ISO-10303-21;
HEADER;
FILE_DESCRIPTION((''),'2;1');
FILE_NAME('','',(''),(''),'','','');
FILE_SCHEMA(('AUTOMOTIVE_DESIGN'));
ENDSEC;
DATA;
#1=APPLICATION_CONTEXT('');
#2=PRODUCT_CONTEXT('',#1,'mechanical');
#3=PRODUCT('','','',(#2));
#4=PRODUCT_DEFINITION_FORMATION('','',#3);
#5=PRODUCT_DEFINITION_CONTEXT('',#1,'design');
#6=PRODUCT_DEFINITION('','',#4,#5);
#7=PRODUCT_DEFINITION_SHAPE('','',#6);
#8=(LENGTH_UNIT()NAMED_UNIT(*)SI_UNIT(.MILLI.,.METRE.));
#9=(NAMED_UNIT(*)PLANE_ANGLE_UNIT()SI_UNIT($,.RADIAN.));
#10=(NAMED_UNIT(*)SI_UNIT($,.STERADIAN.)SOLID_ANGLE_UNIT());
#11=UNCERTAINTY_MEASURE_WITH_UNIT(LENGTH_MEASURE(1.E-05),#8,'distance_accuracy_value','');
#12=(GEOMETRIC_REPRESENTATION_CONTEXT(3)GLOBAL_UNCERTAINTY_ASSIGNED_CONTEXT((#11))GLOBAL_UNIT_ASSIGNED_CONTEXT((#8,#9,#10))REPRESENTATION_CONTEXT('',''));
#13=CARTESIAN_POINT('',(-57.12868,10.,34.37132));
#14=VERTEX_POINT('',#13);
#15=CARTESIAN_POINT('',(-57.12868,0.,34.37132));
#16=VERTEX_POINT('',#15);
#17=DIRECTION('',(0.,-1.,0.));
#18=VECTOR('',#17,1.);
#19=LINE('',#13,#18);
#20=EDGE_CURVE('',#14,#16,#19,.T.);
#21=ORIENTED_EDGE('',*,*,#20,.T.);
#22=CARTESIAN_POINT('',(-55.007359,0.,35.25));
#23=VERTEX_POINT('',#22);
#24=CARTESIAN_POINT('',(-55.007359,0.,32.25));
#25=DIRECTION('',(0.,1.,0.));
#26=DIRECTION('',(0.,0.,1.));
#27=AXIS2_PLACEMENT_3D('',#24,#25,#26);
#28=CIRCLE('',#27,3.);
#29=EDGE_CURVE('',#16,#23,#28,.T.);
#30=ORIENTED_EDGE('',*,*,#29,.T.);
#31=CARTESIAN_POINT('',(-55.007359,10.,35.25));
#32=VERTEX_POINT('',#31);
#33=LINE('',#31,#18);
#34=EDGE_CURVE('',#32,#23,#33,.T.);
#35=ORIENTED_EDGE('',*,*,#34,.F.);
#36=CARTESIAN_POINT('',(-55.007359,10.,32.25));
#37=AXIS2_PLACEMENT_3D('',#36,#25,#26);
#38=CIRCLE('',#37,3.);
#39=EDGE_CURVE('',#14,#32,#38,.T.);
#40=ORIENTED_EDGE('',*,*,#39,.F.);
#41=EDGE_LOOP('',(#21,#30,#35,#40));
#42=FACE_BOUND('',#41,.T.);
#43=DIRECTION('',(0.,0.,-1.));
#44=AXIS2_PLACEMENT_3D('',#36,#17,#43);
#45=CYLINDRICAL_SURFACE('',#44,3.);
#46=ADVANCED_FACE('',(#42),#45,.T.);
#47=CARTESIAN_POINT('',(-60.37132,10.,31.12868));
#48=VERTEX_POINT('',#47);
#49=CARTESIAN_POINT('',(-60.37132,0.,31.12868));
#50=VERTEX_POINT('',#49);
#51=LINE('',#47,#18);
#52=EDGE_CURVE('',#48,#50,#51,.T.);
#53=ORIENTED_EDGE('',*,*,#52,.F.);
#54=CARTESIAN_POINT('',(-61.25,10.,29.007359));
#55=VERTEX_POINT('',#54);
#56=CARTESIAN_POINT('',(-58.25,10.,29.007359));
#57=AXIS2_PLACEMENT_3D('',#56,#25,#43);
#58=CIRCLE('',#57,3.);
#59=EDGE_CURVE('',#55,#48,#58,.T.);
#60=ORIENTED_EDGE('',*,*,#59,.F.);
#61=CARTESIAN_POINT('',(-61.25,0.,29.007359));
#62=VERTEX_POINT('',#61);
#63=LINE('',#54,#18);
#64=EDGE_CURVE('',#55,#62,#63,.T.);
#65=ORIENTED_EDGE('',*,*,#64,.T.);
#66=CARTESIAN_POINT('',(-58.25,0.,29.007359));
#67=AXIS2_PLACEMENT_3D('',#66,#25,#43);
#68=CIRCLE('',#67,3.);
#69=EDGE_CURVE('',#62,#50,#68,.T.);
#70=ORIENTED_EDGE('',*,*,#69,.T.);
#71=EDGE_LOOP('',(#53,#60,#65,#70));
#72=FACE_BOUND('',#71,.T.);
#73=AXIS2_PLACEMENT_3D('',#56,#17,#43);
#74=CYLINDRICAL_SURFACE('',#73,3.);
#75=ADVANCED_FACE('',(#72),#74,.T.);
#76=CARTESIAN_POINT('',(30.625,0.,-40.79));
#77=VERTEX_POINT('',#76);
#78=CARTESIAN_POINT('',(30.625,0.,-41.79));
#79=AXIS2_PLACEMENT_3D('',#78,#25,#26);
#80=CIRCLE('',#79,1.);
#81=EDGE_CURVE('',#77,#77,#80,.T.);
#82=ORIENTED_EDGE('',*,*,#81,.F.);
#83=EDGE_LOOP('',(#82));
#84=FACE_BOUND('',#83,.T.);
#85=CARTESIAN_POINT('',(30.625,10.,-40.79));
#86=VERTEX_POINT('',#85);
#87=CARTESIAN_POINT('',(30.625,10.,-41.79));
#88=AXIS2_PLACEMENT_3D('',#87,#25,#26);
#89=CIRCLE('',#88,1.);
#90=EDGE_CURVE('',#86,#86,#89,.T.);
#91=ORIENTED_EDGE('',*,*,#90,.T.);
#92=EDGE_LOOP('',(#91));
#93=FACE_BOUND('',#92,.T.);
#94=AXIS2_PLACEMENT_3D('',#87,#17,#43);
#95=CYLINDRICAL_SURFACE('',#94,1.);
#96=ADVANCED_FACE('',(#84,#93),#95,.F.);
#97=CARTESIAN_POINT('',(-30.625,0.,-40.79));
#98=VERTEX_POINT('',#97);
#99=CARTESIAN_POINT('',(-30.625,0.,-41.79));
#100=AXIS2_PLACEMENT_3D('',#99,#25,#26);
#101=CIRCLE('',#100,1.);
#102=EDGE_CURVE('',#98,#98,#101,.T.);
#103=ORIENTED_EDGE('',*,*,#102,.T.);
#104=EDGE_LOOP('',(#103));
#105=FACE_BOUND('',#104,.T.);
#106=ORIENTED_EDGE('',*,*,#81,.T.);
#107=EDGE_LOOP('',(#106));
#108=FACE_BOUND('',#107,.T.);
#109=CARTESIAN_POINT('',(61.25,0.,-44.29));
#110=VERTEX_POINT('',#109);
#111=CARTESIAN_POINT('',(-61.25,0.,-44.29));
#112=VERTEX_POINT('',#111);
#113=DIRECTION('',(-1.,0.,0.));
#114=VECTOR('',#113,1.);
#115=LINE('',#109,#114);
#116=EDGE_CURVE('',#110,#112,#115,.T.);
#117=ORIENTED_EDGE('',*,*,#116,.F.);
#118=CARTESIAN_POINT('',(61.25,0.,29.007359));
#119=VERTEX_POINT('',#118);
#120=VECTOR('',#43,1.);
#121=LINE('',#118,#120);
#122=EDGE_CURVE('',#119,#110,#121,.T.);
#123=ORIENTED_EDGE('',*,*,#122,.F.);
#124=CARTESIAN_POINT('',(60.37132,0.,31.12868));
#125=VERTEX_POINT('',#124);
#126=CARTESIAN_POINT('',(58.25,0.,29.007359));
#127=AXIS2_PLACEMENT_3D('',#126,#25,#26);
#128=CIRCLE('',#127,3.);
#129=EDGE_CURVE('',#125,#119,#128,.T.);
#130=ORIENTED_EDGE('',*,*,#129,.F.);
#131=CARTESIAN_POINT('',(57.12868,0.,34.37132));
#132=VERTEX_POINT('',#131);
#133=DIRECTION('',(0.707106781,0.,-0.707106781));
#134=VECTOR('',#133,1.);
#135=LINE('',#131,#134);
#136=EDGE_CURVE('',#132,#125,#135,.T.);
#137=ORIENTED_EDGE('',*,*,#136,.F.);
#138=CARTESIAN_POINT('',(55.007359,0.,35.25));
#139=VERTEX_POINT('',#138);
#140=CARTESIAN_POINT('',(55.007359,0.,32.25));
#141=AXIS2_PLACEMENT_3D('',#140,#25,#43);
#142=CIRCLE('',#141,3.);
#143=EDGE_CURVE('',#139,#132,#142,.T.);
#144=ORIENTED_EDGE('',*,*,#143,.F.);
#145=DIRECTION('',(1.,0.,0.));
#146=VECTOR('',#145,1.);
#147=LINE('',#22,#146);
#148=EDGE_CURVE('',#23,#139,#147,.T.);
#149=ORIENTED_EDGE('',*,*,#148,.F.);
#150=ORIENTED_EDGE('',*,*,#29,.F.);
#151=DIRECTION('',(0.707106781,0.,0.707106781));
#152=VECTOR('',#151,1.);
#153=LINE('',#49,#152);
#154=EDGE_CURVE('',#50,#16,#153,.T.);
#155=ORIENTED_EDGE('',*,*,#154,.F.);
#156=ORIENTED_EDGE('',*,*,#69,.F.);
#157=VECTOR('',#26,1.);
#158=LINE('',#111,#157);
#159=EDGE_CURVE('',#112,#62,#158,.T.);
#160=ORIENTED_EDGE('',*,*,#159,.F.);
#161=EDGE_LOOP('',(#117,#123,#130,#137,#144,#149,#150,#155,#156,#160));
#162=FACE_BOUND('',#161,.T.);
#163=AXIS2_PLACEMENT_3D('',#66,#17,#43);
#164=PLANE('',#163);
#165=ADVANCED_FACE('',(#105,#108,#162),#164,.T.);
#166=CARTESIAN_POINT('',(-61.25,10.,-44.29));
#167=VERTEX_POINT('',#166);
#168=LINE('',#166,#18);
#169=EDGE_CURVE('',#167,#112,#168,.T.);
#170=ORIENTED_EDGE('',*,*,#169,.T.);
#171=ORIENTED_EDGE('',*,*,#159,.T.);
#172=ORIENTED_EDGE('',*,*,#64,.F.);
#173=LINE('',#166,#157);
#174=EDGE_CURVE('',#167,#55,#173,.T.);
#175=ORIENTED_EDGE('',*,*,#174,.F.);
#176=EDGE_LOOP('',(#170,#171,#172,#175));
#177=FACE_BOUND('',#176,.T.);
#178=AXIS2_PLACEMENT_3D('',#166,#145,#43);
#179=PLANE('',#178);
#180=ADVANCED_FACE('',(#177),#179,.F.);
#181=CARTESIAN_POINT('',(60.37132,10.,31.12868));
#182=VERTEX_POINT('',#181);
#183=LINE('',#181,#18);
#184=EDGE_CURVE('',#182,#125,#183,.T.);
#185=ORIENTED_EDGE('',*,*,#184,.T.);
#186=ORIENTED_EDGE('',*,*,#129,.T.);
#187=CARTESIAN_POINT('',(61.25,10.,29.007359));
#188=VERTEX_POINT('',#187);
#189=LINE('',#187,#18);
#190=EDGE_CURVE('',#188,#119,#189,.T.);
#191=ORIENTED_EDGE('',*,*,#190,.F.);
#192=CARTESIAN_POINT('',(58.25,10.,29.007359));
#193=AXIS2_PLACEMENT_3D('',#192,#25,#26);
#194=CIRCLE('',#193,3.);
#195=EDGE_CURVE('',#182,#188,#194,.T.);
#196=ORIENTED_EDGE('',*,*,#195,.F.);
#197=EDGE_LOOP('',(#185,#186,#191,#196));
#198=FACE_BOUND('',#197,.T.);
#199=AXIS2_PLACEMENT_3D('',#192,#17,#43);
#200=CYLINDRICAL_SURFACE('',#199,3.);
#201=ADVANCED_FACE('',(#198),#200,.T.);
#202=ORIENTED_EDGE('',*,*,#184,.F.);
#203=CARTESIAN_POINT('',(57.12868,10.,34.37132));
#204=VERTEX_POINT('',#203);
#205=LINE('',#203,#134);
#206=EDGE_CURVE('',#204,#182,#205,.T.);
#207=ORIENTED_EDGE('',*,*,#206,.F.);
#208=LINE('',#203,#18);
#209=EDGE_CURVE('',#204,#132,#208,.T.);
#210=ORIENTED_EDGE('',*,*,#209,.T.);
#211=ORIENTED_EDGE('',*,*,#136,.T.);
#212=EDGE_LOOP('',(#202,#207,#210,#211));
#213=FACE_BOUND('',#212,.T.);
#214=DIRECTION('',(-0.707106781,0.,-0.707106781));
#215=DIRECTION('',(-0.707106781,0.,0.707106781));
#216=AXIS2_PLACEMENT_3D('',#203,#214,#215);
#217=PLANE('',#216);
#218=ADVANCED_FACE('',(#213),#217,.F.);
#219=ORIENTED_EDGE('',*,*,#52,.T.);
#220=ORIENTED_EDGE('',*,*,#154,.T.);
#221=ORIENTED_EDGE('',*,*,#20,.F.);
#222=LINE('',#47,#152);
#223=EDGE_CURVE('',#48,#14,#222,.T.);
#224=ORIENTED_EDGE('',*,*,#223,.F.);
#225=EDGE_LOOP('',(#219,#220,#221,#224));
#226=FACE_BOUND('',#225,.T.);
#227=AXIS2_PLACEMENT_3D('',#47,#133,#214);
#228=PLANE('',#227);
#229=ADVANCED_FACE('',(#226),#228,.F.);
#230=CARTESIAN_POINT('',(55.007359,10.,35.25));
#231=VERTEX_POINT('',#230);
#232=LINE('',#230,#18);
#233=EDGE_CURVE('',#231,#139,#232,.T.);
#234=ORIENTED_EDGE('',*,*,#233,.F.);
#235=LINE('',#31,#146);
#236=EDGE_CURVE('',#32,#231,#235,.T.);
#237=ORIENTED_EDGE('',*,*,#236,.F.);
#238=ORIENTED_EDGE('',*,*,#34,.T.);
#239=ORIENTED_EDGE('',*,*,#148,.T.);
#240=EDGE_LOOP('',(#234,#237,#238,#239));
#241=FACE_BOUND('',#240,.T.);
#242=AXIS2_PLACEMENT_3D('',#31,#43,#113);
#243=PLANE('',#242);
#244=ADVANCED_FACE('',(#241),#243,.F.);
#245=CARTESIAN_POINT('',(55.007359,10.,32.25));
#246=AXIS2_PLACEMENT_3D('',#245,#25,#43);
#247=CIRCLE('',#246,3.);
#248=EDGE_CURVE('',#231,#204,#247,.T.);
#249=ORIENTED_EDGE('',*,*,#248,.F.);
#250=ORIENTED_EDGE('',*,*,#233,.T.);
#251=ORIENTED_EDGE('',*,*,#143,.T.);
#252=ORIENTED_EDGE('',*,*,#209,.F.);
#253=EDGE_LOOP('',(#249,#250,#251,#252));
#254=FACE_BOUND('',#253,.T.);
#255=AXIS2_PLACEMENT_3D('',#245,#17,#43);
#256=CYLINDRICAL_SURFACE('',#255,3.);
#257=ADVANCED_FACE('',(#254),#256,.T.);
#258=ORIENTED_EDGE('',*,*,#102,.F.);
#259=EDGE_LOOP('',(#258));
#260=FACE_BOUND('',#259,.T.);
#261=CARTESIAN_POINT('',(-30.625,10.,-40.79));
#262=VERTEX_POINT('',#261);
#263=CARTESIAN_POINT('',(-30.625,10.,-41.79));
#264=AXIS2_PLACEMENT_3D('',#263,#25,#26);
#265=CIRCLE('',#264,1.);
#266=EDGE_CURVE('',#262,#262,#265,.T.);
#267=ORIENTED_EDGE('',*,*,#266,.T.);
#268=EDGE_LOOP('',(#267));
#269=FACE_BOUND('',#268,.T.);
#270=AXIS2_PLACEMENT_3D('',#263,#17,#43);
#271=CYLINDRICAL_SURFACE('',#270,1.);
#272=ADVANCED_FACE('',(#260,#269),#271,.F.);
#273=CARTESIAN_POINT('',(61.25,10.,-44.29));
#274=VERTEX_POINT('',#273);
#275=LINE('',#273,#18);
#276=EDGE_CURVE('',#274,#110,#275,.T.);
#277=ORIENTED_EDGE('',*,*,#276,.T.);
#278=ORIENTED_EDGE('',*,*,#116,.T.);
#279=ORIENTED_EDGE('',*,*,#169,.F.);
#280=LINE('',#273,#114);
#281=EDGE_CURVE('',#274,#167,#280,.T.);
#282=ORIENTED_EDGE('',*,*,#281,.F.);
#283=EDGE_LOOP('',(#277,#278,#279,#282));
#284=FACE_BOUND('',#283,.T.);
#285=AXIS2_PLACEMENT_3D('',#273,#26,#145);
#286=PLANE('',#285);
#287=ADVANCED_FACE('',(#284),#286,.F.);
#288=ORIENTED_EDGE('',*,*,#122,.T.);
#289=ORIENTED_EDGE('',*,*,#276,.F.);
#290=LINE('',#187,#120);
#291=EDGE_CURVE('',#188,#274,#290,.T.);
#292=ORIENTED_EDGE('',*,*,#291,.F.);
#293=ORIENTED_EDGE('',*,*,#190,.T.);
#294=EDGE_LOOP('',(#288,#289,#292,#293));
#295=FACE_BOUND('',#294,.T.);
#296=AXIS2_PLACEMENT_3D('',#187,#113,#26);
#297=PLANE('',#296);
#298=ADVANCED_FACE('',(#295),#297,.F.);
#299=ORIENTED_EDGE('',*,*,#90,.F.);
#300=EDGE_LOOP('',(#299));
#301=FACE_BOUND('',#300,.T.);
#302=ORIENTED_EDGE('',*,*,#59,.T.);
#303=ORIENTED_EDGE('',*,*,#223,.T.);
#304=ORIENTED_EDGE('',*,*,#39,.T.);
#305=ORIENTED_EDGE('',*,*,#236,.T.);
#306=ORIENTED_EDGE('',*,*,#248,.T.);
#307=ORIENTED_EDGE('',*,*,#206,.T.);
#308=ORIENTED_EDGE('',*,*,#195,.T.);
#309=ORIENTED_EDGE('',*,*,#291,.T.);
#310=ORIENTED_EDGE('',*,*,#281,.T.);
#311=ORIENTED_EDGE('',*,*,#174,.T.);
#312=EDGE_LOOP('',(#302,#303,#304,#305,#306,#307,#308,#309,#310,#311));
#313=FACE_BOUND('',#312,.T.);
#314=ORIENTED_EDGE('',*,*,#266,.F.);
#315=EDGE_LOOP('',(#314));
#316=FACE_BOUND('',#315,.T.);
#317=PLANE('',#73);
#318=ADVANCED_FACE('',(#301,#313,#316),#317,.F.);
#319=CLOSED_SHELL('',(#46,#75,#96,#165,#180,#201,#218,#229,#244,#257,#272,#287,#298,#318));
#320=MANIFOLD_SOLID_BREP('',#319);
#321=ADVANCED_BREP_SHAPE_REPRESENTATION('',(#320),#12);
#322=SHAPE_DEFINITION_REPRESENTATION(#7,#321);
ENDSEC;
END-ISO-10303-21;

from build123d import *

# Parameters (mm, degrees)
SKETCH2_R           = 1
BOSS_EXTRUDE1_DEPTH = 10


with BuildPart() as part:
    # Sketch2 → Boss-Extrude1 (new body)
    with BuildSketch(Plane(origin=(0, 0, 0), x_dir=(1, 0, 0), z_dir=(0, 1, 0))):
        with BuildLine():
            Line((-61.25, 44.29), (-61.25, -29.007359313))
            ThreePointArc((-61.25, -29.007359313), (-61.021638598, -30.15540961), (-60.371320344, -31.128679656))
            Line((-60.371320344, -31.128679656), (-57.128679656, -34.371320344))
            ThreePointArc((-57.128679656, -34.371320344), (-56.15540961, -35.021638598), (-55.007359313, -35.25))
            Line((-55.007359313, -35.25), (55.007359313, -35.25))
            ThreePointArc((55.007359313, -35.25), (56.15540961, -35.021638598), (57.128679656, -34.371320344))
            Line((57.128679656, -34.371320344), (60.371320344, -31.128679656))
            ThreePointArc((60.371320344, -31.128679656), (61.021638598, -30.15540961), (61.25, -29.007359313))
            Line((61.25, -29.007359313), (61.25, 44.29))
            Line((61.25, 44.29), (-61.25, 44.29))
        make_face()
        with Locations(Location((-30.625, 41.79, 0), (0, 0, 270))):
            Circle(SKETCH2_R, mode=Mode.SUBTRACT)
        with Locations(Location((30.625, 41.79, 0), (0, 0, 270))):
            Circle(SKETCH2_R, mode=Mode.SUBTRACT)
    extrude(amount=BOSS_EXTRUDE1_DEPTH)


solid = part.part
